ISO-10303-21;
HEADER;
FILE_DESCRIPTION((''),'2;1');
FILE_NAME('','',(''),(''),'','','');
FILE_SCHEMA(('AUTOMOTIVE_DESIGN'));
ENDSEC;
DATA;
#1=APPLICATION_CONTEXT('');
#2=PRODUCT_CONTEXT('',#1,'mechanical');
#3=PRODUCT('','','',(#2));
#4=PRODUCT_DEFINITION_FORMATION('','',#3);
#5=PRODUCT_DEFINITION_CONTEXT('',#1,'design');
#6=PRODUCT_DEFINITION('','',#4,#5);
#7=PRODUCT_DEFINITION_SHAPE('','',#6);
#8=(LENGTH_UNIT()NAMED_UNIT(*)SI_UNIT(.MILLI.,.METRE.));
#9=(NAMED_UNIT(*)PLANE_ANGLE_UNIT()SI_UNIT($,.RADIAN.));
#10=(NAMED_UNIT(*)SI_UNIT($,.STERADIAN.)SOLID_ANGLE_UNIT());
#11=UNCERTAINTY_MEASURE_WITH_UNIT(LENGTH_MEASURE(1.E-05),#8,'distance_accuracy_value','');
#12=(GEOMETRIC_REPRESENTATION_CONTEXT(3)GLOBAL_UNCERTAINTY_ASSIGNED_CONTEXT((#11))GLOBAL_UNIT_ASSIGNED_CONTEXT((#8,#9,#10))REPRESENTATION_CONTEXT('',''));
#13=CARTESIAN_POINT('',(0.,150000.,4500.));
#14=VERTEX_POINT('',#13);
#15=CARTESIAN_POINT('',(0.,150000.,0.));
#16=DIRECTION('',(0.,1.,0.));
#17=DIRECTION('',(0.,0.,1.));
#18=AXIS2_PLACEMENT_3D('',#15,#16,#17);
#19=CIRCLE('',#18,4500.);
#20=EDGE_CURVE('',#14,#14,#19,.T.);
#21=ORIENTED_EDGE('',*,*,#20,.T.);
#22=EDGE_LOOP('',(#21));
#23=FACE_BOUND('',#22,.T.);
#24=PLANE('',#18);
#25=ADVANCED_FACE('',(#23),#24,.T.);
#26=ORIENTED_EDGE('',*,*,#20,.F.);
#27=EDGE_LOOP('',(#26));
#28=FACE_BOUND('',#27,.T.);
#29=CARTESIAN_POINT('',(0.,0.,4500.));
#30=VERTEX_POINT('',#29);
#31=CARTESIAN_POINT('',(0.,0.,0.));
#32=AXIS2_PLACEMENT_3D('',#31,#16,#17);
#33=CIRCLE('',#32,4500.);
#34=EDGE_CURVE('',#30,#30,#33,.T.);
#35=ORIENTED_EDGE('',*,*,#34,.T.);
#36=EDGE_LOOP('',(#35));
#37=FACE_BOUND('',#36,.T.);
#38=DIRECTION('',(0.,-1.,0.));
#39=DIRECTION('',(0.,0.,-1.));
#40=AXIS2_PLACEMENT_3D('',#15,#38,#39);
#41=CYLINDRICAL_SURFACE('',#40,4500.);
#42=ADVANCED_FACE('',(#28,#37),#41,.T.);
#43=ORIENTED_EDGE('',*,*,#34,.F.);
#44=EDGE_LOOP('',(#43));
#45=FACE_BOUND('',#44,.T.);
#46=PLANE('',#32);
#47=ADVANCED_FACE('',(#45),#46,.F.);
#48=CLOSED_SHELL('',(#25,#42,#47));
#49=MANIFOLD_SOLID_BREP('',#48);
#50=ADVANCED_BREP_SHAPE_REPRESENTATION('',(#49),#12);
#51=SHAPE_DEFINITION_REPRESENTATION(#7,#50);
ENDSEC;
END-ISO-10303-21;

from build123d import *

# Parameters (mm, degrees)
SKETCH2_R           = 4500
BOSS_EXTRUDE1_DEPTH = 150000


with BuildPart() as part:
    # Sketch2 → Boss-Extrude1 (new body)
    with BuildSketch(Plane(origin=(0, 0, 0), x_dir=(1, 0, 0), z_dir=(0, 1, 0))):
        with Locations(Location((0, 0, 0), (0, 0, 270))):
            Circle(SKETCH2_R)
    extrude(amount=BOSS_EXTRUDE1_DEPTH)


solid = part.part
